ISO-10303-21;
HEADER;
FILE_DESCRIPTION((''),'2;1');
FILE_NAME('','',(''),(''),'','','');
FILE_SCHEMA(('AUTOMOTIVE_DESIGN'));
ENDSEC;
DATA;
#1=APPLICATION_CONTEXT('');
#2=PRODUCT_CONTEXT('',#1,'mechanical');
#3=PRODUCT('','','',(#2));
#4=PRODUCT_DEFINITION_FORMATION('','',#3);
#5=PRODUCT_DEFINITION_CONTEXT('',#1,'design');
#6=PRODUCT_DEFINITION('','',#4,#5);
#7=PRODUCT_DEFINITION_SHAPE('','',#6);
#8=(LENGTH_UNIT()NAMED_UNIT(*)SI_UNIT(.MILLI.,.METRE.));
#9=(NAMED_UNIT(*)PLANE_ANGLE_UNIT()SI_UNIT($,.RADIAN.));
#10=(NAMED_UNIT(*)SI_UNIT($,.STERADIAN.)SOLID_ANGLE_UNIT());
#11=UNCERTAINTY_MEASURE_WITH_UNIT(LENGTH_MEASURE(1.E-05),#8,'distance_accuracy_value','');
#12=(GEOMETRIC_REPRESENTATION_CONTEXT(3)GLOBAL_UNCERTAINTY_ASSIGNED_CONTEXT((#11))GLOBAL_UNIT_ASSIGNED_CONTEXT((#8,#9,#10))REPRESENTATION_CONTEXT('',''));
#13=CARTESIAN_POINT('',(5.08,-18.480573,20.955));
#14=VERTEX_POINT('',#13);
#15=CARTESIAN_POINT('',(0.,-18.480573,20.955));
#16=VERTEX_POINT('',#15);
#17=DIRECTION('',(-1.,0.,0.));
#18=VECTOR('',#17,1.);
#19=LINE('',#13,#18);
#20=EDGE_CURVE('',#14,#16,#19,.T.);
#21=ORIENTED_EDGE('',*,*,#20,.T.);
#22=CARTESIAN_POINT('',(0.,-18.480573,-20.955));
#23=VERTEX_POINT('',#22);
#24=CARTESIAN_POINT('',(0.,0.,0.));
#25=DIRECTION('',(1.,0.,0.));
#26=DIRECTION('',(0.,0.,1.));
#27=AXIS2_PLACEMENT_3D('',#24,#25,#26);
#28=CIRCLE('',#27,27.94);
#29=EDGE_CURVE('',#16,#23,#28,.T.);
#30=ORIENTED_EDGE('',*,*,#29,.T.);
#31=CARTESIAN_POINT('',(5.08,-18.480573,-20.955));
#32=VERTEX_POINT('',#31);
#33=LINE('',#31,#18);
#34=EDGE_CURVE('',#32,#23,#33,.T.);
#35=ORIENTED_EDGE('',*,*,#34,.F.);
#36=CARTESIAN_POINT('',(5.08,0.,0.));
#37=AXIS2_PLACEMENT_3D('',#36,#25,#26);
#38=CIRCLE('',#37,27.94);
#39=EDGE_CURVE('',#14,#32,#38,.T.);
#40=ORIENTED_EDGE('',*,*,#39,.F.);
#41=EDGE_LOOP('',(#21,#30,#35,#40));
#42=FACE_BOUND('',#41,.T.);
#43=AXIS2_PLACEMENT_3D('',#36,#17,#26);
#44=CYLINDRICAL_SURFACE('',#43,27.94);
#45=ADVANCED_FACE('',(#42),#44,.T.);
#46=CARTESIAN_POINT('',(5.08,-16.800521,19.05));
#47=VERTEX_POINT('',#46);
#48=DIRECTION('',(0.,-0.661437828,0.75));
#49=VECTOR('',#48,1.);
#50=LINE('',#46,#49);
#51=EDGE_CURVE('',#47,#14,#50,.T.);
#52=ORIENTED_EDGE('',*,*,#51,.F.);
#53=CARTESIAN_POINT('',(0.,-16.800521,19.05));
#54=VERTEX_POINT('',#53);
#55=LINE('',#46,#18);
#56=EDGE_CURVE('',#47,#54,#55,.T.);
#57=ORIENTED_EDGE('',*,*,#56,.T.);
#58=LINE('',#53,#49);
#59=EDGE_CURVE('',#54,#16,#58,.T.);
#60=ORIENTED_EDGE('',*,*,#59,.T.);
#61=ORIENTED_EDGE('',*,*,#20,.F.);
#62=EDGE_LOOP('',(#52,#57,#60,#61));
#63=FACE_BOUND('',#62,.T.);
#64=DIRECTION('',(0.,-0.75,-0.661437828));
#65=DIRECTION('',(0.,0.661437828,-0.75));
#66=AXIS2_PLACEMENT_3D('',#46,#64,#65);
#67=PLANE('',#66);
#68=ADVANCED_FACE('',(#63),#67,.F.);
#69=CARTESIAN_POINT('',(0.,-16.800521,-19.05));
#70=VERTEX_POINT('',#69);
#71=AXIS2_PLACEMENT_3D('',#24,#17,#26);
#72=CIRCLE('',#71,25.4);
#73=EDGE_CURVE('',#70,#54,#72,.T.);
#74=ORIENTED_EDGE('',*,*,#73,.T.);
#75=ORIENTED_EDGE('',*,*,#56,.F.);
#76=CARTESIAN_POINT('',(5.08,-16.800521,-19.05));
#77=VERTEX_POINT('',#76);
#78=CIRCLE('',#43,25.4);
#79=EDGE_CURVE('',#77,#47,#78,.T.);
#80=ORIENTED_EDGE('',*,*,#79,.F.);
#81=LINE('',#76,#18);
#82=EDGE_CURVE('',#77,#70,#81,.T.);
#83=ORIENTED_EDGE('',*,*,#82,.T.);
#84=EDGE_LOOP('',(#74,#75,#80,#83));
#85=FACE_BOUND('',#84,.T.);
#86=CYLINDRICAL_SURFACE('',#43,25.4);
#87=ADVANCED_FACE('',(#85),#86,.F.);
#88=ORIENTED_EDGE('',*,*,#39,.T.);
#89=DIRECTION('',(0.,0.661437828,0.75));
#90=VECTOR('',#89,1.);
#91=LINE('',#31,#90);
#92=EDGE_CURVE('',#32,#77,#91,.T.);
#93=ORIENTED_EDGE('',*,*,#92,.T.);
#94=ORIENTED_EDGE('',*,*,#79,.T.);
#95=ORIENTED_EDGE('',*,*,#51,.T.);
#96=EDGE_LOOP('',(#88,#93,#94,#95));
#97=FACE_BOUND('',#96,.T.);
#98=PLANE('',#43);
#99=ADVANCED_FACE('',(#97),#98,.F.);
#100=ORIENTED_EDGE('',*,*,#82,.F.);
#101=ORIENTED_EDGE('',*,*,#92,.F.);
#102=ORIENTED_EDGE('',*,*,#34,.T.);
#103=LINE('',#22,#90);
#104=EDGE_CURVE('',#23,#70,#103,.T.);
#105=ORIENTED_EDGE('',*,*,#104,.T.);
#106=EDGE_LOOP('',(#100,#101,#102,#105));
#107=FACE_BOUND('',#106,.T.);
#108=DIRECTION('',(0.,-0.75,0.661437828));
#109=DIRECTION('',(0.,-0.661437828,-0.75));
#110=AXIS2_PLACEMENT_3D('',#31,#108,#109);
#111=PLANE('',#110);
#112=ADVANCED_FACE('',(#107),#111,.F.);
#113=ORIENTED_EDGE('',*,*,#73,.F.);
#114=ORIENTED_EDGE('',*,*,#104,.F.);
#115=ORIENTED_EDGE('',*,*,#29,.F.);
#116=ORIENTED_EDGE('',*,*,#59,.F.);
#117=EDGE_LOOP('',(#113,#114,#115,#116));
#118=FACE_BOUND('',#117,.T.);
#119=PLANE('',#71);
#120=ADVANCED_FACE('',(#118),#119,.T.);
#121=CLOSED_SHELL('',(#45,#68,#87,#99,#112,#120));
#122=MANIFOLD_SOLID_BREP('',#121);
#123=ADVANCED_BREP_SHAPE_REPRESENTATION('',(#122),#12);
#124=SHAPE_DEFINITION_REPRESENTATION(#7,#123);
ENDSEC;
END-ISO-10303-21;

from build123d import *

# Parameters (mm, degrees)
BOSS_EXTRUDE1_DEPTH = 5.08


with BuildPart() as part:
    # Sketch1 → Boss-Extrude1 (new body)
    with BuildSketch(Plane(origin=(0, 0, 0), x_dir=(0, 0, -1), z_dir=(1, 0, 0))):
        with BuildLine():
            Line((20.955, -18.480572908), (19.05, -16.800520825))
            ThreePointArc((19.05, -16.800520825), (0, -25.4), (-19.05, -16.800520825))
            Line((-19.05, -16.800520825), (-20.955, -18.480572908))
            ThreePointArc((-20.955, -18.480572908), (0, -27.94), (20.955, -18.480572908))
        make_face()
    extrude(amount=BOSS_EXTRUDE1_DEPTH)


solid = part.part
